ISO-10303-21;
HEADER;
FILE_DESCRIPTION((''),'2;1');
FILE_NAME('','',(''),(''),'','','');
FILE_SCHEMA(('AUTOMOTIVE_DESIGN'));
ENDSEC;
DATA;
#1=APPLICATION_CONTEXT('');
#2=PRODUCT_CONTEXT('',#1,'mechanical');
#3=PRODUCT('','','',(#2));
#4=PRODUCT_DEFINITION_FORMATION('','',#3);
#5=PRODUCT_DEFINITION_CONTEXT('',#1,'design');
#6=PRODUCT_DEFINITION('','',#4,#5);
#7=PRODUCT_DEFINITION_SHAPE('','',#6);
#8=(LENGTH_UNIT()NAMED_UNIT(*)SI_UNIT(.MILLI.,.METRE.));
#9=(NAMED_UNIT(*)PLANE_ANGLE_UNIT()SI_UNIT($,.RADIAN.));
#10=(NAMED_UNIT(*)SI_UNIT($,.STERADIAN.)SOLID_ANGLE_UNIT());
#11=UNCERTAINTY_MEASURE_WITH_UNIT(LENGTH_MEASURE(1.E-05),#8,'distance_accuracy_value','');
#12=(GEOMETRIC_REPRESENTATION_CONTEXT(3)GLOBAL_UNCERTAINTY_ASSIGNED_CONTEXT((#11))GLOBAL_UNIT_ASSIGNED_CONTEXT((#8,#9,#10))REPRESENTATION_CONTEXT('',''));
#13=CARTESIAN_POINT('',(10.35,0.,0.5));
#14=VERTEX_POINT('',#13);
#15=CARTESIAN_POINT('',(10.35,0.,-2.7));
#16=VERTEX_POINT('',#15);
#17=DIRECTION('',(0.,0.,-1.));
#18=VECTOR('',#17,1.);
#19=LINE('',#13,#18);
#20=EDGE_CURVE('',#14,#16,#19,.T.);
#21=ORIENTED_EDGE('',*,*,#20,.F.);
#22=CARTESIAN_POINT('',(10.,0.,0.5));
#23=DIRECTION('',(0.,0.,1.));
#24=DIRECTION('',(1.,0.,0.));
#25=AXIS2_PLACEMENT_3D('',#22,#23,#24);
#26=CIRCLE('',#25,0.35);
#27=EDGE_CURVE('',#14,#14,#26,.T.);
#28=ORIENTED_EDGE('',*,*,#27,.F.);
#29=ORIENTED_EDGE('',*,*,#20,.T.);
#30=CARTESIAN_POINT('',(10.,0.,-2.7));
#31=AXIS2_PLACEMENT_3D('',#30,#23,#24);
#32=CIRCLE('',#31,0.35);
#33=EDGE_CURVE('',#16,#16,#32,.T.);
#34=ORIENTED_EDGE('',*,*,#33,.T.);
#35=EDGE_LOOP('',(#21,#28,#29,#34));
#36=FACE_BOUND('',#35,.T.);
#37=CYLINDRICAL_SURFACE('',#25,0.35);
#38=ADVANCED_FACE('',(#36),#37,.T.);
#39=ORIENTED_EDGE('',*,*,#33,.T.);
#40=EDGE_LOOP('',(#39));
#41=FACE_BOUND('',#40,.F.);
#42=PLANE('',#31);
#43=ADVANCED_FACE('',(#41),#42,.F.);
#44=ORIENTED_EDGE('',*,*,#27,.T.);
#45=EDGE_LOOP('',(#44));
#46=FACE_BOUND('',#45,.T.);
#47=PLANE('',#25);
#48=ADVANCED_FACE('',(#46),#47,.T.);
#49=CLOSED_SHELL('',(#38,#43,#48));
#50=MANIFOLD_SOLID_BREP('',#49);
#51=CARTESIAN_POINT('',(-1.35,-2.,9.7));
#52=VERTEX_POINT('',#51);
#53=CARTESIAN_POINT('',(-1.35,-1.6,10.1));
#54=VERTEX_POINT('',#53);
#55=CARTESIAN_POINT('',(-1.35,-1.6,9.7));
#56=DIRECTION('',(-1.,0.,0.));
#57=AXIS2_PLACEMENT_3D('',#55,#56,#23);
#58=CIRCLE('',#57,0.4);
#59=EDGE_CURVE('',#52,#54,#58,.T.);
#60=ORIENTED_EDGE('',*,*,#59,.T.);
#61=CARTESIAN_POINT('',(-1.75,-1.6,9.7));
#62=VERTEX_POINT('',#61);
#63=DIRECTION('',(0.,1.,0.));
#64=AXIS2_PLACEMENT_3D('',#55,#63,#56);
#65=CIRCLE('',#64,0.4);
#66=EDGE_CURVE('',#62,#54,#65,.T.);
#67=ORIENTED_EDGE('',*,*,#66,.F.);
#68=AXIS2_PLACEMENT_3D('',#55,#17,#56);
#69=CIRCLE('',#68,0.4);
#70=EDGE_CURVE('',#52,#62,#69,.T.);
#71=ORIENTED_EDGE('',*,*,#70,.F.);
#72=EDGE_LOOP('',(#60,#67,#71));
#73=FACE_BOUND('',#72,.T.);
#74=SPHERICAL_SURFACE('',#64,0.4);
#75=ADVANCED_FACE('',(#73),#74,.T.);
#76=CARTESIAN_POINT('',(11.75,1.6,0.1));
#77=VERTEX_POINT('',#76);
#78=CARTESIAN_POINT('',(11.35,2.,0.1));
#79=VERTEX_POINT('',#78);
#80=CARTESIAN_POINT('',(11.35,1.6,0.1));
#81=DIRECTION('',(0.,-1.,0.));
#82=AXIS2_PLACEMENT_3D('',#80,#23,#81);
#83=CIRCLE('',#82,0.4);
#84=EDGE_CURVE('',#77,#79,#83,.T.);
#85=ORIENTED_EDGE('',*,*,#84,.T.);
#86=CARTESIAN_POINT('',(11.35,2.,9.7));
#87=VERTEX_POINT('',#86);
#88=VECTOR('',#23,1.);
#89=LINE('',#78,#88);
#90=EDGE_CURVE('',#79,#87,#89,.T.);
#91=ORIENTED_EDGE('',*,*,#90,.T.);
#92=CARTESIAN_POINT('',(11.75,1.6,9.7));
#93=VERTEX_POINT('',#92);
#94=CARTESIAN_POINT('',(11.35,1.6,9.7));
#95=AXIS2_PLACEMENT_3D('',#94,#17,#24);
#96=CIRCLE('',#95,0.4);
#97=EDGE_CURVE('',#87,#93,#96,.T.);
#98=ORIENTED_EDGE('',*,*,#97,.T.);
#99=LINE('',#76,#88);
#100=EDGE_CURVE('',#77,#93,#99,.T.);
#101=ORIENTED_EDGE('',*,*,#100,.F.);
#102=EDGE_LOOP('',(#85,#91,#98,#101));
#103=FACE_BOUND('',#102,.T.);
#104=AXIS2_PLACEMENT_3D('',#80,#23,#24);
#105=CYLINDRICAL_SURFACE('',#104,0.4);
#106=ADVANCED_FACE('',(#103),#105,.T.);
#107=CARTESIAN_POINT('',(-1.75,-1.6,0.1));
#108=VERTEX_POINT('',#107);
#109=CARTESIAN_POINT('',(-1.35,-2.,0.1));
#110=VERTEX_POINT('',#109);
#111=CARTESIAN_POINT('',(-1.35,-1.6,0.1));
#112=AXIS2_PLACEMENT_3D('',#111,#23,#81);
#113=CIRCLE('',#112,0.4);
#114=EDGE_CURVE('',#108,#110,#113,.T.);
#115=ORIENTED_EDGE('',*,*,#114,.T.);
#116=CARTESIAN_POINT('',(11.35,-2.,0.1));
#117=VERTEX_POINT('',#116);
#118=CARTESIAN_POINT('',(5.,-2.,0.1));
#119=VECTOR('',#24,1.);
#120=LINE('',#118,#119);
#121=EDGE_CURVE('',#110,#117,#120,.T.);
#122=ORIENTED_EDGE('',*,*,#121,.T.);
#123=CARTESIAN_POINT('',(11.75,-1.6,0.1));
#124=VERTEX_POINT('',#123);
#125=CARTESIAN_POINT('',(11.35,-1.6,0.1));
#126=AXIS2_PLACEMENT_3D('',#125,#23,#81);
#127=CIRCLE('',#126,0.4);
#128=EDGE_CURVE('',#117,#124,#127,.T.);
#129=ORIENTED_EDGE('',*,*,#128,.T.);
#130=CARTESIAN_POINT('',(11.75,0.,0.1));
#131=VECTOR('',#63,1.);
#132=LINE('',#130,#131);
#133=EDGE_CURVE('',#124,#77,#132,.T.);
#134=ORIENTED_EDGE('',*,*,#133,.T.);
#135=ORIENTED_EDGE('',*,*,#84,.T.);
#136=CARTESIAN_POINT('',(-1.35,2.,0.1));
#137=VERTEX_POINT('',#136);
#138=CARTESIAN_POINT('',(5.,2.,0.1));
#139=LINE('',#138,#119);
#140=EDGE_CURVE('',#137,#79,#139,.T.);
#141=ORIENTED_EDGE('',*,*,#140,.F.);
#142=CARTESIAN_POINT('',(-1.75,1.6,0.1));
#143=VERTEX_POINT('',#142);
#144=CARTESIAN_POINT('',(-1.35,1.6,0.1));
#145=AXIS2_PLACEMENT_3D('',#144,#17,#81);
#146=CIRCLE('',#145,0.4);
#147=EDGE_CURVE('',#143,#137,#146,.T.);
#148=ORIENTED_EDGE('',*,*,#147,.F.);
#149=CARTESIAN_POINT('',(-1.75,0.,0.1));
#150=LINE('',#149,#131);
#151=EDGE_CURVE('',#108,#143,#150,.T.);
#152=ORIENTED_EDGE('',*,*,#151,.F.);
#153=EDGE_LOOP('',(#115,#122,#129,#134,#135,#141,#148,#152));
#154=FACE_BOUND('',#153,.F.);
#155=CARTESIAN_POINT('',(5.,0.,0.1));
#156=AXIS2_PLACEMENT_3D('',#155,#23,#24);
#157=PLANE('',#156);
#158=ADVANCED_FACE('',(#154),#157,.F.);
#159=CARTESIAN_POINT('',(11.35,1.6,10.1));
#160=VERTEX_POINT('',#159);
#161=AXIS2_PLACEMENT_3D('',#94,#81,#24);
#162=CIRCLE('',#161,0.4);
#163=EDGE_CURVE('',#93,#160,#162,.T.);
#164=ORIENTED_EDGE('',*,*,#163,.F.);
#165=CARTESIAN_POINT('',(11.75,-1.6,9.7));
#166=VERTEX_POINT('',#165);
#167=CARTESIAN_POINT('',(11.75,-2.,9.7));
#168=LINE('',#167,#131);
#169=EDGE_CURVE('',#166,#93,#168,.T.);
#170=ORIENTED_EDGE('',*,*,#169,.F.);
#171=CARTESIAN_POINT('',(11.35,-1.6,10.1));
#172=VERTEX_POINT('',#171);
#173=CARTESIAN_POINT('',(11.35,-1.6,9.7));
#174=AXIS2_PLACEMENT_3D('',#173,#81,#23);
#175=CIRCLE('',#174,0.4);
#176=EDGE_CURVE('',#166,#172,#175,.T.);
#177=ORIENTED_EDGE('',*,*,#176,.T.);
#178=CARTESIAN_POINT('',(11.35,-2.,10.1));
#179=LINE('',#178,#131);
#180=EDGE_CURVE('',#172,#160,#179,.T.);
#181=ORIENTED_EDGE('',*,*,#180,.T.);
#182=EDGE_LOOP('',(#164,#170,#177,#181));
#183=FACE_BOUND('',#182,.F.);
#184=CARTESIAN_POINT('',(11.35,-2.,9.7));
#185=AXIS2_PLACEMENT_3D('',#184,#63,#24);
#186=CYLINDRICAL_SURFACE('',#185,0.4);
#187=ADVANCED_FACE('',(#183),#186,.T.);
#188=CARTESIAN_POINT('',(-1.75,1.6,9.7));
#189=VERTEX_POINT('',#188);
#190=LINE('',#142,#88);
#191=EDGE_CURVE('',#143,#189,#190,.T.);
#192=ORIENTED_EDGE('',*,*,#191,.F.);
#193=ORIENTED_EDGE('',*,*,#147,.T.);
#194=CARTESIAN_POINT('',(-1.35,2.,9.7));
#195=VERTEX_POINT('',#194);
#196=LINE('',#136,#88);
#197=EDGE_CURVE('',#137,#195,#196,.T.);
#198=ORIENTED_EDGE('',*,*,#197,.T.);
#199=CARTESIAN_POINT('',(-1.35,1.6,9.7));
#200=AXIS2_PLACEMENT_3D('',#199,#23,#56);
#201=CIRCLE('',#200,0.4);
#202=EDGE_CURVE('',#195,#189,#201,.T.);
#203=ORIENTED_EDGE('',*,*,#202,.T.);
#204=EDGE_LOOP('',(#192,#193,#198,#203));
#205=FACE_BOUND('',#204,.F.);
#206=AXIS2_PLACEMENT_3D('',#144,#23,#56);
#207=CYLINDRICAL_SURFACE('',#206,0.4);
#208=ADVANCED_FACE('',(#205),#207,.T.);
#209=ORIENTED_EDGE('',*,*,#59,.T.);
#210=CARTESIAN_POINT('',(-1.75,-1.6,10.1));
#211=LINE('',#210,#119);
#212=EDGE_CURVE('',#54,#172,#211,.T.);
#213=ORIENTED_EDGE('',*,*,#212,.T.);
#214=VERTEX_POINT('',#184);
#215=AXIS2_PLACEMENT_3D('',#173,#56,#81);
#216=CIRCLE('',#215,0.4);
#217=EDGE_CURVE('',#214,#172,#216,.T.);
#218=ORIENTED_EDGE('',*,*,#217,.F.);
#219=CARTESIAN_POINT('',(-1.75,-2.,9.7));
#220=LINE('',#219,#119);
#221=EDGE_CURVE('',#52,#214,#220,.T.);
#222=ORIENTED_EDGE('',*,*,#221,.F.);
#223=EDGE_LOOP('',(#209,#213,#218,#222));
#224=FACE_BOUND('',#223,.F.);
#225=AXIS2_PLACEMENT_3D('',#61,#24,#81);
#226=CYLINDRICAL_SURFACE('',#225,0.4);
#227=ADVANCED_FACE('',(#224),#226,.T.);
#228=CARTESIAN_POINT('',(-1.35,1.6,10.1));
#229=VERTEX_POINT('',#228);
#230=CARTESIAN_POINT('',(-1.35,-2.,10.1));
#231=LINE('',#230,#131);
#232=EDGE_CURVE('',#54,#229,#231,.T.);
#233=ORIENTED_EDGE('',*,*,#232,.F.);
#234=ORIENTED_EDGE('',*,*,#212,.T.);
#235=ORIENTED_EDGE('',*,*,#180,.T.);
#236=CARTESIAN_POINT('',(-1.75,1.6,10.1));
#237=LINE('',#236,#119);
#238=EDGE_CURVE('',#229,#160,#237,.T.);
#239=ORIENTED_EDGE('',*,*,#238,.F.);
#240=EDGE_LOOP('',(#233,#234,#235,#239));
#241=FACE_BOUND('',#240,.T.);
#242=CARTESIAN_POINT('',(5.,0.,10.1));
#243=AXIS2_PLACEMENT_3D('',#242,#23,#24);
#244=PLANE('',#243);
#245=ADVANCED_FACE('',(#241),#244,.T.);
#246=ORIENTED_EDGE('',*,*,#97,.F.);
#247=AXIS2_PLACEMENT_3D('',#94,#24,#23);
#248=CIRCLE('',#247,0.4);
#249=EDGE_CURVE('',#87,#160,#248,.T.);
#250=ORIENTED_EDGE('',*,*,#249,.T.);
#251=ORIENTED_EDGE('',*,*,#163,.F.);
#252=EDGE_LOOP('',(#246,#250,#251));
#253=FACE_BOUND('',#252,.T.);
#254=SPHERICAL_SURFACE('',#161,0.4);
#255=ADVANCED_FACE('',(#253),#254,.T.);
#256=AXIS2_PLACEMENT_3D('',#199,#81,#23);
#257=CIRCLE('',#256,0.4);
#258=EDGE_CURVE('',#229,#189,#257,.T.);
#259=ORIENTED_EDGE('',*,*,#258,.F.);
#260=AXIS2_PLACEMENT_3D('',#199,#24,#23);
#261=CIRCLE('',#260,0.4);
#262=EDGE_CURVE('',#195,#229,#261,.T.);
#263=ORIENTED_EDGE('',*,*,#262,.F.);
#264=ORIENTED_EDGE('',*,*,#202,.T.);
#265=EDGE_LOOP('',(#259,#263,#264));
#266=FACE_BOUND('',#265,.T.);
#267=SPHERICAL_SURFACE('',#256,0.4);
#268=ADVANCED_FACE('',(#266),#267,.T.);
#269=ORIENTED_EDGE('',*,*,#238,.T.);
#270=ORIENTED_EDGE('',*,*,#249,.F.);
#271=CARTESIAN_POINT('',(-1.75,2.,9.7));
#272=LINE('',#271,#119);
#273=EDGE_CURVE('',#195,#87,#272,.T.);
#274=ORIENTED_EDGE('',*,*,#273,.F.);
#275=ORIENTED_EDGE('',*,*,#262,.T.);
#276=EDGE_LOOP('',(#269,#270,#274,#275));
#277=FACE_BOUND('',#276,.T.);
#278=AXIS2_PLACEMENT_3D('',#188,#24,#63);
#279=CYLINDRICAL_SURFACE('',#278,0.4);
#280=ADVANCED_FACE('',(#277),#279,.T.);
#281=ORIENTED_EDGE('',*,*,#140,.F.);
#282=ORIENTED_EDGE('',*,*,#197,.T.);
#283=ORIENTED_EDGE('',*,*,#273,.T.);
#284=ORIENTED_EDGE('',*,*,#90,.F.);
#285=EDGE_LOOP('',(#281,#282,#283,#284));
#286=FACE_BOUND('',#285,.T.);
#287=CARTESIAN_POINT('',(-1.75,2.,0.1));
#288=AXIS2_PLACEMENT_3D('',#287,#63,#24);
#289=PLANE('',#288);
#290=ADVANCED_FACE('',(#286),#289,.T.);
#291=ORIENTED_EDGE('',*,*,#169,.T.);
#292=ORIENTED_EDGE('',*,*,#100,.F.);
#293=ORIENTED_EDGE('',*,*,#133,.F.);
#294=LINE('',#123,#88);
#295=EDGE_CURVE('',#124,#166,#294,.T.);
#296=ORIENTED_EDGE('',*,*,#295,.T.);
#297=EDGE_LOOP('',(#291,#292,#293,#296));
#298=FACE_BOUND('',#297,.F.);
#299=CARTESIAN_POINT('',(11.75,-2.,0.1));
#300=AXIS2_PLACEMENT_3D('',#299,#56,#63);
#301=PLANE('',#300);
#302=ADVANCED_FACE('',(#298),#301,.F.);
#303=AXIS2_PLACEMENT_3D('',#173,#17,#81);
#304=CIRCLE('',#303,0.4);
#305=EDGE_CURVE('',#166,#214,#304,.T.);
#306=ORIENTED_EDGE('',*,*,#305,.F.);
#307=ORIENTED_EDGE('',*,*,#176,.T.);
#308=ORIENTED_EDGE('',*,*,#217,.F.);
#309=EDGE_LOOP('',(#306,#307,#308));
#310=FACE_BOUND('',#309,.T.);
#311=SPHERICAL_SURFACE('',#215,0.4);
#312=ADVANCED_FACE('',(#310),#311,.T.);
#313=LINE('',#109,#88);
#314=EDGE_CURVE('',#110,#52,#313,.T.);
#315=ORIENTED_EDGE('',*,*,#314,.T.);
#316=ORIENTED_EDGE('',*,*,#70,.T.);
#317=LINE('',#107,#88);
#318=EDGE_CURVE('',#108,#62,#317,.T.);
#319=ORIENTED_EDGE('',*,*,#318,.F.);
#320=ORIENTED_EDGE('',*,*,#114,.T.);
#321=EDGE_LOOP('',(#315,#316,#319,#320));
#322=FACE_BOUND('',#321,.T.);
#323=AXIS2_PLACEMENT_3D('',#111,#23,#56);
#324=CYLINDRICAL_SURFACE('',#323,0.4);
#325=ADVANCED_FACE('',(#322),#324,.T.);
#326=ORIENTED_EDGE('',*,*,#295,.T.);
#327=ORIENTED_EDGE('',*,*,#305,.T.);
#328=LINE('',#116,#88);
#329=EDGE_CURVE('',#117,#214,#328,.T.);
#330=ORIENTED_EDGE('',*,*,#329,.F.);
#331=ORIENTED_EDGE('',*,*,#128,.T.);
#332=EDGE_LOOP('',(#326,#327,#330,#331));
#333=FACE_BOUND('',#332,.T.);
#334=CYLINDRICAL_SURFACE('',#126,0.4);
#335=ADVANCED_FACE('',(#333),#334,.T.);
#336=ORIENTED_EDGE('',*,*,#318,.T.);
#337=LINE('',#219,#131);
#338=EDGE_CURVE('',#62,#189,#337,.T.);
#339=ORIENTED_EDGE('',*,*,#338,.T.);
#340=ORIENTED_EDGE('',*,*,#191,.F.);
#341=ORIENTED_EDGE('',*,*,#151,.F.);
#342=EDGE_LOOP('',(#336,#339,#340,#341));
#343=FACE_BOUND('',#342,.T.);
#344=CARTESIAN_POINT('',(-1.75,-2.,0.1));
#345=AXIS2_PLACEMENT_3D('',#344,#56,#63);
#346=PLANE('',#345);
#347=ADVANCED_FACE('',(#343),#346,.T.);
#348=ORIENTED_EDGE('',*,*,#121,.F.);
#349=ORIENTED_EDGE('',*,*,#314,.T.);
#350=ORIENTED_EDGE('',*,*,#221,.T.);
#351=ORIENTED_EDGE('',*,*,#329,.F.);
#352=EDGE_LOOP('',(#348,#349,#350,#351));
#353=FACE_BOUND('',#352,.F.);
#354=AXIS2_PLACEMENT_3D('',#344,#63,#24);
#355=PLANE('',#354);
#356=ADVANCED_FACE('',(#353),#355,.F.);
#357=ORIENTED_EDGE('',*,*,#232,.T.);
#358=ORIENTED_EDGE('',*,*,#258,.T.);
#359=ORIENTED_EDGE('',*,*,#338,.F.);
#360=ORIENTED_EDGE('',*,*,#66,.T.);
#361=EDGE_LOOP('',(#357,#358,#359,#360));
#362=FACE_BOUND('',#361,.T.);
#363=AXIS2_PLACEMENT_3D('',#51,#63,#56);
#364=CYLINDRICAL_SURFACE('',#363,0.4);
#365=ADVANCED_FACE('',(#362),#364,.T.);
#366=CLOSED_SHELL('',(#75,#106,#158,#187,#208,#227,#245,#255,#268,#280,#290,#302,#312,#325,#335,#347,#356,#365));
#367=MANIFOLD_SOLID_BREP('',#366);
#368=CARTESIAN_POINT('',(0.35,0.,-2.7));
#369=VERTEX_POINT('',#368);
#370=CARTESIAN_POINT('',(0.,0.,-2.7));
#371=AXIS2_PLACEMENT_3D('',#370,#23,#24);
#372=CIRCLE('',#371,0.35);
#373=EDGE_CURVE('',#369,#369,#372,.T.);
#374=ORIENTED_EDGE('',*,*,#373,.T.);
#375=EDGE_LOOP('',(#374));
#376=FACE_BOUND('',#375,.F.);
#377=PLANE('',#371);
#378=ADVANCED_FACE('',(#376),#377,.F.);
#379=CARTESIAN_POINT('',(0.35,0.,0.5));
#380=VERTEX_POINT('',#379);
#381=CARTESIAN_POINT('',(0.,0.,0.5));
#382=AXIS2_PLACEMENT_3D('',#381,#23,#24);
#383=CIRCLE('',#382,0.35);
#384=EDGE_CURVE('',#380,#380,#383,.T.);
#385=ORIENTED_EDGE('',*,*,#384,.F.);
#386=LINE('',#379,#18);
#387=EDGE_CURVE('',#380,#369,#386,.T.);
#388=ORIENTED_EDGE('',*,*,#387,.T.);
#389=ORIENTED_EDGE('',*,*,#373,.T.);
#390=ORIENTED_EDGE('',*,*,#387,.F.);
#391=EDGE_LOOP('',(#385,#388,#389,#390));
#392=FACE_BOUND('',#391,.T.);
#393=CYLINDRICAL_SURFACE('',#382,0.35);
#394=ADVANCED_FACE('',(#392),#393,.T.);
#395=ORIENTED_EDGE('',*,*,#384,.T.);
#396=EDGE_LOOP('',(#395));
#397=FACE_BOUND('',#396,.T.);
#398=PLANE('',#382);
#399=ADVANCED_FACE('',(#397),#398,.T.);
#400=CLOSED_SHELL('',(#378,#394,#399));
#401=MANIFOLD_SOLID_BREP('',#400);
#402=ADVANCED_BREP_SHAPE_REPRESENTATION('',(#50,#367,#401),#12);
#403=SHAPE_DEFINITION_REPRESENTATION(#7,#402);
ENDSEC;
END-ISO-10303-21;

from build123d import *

# Parameters (mm, degrees)
SKETCH_W     = 13.5
SKETCH_H     = 4
PAD_DEPTH    = 10
FILLET_R     = 0.4
SKETCH001_R  = 0.35
PAD001_DEPTH = 3.2


with BuildPart() as fillet_body:
    # Sketch → Pad (new body)
    with BuildSketch(Plane.XY.offset(0.1)):
        with Locations((5, 0)):
            Rectangle(SKETCH_W, SKETCH_H)
    extrude(amount=PAD_DEPTH)

    # Fillet
    fillet_edges = [fillet_body.edges().sort_by_distance(p)[0] for p in [
        (-1.75, 0, 10.1),
        (-1.75, -2, 5.1),
        (5, -2, 10.1),
        (11.75, -2, 5.1),
        (11.75, 0, 10.1),
        (11.75, 2, 5.1),
        (5, 2, 10.1),
        (-1.75, 2, 5.1),
    ]]
    fillet(fillet_edges, radius=FILLET_R)


with BuildPart() as pad001:
    # Sketch001 → Pad001 (new body)
    with BuildSketch(Plane.XY.offset(0.5)):
        Circle(SKETCH001_R)
        with Locations((10, 0)):
            Circle(SKETCH001_R)
    extrude(amount=-PAD001_DEPTH)


solid = Compound([fillet_body.part, pad001.part])
